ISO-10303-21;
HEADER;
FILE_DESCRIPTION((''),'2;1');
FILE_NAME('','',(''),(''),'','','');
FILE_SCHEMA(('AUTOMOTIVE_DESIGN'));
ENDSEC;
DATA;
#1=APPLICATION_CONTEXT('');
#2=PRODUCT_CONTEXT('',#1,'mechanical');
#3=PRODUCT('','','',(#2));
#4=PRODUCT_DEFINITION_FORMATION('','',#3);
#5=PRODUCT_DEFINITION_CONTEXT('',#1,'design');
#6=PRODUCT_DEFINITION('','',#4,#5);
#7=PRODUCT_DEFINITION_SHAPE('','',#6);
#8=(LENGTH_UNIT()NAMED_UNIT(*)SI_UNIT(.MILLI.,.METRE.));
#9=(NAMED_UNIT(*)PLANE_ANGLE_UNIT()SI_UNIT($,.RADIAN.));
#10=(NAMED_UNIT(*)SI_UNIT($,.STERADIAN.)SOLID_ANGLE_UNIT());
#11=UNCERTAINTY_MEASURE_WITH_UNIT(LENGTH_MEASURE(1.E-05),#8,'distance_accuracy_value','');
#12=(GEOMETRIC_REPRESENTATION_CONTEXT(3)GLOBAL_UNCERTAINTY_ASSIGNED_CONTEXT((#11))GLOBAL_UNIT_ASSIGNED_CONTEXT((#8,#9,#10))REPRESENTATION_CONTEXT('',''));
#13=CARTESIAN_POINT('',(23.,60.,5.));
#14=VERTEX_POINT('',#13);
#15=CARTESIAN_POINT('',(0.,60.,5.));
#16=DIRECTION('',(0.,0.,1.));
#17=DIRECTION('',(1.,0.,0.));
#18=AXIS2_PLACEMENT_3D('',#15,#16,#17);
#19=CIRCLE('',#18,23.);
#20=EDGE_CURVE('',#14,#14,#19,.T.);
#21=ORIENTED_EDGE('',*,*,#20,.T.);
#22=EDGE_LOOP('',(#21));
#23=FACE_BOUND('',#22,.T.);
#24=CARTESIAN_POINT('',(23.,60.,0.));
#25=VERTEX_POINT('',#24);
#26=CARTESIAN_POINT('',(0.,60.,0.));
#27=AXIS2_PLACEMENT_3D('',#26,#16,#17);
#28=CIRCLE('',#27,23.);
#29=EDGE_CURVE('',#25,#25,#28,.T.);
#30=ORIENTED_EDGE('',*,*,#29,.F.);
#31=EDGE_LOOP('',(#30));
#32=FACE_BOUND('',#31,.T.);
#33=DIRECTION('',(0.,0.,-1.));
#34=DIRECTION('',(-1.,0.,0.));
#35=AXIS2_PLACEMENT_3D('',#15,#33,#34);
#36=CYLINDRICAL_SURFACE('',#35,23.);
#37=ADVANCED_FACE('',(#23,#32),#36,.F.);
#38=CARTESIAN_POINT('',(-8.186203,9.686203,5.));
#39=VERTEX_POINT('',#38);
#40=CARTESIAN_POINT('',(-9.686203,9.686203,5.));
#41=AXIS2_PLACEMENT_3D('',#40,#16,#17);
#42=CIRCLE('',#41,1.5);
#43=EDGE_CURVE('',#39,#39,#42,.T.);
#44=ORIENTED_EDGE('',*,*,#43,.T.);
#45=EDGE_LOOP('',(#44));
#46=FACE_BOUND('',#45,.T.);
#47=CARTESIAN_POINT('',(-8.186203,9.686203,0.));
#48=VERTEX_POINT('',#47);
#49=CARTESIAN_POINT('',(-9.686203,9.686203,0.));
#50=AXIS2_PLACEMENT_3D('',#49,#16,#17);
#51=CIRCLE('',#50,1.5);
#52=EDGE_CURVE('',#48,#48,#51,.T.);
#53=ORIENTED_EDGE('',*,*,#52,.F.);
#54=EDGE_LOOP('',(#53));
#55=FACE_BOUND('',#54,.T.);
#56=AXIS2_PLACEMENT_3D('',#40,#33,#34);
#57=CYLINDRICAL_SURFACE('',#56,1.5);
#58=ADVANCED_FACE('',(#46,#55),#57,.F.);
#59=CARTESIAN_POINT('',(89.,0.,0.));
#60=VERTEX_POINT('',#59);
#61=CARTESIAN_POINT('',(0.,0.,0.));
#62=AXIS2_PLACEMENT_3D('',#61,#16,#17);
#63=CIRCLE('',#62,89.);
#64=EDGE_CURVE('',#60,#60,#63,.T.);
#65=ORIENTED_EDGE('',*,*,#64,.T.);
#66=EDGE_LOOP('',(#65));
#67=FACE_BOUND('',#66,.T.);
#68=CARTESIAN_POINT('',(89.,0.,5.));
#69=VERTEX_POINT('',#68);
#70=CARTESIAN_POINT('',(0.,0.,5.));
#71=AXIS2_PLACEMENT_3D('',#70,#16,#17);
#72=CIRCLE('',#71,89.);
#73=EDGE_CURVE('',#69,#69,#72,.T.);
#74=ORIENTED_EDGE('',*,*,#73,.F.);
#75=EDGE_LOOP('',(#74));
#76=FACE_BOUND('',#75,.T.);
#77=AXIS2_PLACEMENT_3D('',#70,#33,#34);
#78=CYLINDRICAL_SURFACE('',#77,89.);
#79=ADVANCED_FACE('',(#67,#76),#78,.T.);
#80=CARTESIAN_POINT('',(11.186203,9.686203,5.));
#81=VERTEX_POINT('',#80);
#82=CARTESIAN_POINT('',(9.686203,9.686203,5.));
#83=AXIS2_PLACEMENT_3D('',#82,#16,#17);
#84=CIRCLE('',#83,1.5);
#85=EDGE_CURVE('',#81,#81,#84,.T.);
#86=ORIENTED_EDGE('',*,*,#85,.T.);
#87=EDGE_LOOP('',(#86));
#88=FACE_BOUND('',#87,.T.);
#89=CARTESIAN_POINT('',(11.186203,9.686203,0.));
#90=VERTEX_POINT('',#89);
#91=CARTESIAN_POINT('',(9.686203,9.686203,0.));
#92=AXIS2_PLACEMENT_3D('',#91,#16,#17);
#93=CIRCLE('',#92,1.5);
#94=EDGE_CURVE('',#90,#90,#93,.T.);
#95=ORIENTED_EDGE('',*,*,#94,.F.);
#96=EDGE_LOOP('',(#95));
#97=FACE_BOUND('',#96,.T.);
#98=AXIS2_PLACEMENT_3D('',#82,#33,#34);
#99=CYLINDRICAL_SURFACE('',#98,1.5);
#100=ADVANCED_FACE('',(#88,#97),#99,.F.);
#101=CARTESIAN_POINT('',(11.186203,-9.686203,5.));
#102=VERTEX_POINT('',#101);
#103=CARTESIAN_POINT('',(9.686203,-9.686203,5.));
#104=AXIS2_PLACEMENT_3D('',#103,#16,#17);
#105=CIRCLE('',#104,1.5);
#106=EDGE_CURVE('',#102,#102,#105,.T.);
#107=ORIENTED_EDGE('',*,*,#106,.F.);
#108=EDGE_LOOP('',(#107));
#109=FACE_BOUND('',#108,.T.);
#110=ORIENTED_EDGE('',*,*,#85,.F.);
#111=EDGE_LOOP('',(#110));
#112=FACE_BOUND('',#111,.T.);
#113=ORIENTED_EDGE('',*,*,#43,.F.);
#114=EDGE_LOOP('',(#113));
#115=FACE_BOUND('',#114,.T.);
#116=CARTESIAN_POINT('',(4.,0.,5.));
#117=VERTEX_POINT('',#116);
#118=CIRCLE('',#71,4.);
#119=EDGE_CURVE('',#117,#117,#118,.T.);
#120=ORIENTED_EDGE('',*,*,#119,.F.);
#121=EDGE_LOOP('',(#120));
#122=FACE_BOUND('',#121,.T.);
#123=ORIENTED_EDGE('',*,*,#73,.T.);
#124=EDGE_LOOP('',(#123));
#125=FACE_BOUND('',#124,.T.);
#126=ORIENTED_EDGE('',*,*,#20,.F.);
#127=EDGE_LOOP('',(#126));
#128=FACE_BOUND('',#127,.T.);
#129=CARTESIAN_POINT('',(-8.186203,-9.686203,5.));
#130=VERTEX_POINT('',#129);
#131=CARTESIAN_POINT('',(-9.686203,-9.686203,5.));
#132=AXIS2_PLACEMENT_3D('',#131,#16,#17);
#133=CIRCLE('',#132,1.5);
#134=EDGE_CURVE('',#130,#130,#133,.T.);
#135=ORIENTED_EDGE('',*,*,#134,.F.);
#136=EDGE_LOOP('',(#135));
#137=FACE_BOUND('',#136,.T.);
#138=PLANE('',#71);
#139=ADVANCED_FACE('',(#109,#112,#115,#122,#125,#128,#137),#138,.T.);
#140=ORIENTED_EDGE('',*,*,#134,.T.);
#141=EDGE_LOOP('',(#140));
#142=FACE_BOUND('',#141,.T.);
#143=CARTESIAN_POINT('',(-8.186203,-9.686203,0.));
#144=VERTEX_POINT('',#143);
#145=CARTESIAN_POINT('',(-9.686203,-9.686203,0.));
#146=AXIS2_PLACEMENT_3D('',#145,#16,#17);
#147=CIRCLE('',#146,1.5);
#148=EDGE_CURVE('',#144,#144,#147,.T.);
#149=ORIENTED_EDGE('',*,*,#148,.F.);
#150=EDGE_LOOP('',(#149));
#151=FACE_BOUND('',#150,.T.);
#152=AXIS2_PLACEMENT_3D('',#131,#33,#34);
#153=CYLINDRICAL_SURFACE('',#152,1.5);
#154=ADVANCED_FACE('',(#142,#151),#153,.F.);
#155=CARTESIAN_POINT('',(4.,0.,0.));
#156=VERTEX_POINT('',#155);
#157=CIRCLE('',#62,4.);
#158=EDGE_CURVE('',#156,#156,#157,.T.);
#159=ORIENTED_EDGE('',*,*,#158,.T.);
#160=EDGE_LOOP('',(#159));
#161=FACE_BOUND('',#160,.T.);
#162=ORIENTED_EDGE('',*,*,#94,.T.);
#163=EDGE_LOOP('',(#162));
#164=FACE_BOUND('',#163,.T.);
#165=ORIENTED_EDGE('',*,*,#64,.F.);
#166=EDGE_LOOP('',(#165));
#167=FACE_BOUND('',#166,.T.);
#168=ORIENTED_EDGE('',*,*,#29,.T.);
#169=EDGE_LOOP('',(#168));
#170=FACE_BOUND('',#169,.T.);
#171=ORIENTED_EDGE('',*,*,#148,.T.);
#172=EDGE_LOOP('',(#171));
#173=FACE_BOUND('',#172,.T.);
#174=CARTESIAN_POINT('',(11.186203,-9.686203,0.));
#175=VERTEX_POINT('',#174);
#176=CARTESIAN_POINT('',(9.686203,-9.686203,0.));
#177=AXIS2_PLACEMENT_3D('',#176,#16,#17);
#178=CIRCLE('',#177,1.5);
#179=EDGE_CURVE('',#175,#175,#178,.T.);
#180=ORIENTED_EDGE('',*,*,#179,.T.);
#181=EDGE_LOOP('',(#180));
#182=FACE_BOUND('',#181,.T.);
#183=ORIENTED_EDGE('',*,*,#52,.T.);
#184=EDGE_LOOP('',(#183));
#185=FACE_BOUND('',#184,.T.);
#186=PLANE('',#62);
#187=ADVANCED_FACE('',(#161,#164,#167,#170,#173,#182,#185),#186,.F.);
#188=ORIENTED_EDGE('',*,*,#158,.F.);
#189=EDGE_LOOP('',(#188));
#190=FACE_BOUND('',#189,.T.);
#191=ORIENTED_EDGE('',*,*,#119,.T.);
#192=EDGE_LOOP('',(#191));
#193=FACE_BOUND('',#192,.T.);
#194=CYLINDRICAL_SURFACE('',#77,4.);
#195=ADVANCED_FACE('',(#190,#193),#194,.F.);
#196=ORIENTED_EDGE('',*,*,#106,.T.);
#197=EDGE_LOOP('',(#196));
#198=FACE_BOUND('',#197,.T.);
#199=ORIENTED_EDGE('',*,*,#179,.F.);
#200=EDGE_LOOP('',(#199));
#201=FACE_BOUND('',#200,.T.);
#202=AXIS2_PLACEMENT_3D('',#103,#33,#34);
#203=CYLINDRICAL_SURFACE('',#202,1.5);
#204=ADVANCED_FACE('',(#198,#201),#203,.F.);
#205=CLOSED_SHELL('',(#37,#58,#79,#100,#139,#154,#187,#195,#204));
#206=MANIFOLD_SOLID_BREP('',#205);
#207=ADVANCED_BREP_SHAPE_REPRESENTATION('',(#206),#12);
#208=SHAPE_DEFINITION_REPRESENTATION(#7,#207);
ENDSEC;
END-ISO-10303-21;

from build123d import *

# Parameters (mm, degrees)
SKETCH1_R           = 89
SKETCH1_R_2         = 4
SKETCH1_R_3         = 1.5
SKETCH1_R_4         = 23
BOSS_EXTRUDE1_DEPTH = 5


with BuildPart() as part:
    # Sketch1 → Boss-Extrude1 (new body)
    with BuildSketch(Plane.XY):
        Circle(SKETCH1_R)
        Circle(SKETCH1_R_2, mode=Mode.SUBTRACT)
        with Locations((-9.686203462, 9.686203462)):
            Circle(SKETCH1_R_3, mode=Mode.SUBTRACT)
        with Locations((0, 60)):
            Circle(SKETCH1_R_4, mode=Mode.SUBTRACT)
        with Locations((9.686203462, 9.686203462)):
            Circle(SKETCH1_R_3, mode=Mode.SUBTRACT)
        with Locations((9.686203462, -9.686203462)):
            Circle(SKETCH1_R_3, mode=Mode.SUBTRACT)
        with Locations((-9.686203462, -9.686203462)):
            Circle(SKETCH1_R_3, mode=Mode.SUBTRACT)
    extrude(amount=BOSS_EXTRUDE1_DEPTH)


solid = part.part
